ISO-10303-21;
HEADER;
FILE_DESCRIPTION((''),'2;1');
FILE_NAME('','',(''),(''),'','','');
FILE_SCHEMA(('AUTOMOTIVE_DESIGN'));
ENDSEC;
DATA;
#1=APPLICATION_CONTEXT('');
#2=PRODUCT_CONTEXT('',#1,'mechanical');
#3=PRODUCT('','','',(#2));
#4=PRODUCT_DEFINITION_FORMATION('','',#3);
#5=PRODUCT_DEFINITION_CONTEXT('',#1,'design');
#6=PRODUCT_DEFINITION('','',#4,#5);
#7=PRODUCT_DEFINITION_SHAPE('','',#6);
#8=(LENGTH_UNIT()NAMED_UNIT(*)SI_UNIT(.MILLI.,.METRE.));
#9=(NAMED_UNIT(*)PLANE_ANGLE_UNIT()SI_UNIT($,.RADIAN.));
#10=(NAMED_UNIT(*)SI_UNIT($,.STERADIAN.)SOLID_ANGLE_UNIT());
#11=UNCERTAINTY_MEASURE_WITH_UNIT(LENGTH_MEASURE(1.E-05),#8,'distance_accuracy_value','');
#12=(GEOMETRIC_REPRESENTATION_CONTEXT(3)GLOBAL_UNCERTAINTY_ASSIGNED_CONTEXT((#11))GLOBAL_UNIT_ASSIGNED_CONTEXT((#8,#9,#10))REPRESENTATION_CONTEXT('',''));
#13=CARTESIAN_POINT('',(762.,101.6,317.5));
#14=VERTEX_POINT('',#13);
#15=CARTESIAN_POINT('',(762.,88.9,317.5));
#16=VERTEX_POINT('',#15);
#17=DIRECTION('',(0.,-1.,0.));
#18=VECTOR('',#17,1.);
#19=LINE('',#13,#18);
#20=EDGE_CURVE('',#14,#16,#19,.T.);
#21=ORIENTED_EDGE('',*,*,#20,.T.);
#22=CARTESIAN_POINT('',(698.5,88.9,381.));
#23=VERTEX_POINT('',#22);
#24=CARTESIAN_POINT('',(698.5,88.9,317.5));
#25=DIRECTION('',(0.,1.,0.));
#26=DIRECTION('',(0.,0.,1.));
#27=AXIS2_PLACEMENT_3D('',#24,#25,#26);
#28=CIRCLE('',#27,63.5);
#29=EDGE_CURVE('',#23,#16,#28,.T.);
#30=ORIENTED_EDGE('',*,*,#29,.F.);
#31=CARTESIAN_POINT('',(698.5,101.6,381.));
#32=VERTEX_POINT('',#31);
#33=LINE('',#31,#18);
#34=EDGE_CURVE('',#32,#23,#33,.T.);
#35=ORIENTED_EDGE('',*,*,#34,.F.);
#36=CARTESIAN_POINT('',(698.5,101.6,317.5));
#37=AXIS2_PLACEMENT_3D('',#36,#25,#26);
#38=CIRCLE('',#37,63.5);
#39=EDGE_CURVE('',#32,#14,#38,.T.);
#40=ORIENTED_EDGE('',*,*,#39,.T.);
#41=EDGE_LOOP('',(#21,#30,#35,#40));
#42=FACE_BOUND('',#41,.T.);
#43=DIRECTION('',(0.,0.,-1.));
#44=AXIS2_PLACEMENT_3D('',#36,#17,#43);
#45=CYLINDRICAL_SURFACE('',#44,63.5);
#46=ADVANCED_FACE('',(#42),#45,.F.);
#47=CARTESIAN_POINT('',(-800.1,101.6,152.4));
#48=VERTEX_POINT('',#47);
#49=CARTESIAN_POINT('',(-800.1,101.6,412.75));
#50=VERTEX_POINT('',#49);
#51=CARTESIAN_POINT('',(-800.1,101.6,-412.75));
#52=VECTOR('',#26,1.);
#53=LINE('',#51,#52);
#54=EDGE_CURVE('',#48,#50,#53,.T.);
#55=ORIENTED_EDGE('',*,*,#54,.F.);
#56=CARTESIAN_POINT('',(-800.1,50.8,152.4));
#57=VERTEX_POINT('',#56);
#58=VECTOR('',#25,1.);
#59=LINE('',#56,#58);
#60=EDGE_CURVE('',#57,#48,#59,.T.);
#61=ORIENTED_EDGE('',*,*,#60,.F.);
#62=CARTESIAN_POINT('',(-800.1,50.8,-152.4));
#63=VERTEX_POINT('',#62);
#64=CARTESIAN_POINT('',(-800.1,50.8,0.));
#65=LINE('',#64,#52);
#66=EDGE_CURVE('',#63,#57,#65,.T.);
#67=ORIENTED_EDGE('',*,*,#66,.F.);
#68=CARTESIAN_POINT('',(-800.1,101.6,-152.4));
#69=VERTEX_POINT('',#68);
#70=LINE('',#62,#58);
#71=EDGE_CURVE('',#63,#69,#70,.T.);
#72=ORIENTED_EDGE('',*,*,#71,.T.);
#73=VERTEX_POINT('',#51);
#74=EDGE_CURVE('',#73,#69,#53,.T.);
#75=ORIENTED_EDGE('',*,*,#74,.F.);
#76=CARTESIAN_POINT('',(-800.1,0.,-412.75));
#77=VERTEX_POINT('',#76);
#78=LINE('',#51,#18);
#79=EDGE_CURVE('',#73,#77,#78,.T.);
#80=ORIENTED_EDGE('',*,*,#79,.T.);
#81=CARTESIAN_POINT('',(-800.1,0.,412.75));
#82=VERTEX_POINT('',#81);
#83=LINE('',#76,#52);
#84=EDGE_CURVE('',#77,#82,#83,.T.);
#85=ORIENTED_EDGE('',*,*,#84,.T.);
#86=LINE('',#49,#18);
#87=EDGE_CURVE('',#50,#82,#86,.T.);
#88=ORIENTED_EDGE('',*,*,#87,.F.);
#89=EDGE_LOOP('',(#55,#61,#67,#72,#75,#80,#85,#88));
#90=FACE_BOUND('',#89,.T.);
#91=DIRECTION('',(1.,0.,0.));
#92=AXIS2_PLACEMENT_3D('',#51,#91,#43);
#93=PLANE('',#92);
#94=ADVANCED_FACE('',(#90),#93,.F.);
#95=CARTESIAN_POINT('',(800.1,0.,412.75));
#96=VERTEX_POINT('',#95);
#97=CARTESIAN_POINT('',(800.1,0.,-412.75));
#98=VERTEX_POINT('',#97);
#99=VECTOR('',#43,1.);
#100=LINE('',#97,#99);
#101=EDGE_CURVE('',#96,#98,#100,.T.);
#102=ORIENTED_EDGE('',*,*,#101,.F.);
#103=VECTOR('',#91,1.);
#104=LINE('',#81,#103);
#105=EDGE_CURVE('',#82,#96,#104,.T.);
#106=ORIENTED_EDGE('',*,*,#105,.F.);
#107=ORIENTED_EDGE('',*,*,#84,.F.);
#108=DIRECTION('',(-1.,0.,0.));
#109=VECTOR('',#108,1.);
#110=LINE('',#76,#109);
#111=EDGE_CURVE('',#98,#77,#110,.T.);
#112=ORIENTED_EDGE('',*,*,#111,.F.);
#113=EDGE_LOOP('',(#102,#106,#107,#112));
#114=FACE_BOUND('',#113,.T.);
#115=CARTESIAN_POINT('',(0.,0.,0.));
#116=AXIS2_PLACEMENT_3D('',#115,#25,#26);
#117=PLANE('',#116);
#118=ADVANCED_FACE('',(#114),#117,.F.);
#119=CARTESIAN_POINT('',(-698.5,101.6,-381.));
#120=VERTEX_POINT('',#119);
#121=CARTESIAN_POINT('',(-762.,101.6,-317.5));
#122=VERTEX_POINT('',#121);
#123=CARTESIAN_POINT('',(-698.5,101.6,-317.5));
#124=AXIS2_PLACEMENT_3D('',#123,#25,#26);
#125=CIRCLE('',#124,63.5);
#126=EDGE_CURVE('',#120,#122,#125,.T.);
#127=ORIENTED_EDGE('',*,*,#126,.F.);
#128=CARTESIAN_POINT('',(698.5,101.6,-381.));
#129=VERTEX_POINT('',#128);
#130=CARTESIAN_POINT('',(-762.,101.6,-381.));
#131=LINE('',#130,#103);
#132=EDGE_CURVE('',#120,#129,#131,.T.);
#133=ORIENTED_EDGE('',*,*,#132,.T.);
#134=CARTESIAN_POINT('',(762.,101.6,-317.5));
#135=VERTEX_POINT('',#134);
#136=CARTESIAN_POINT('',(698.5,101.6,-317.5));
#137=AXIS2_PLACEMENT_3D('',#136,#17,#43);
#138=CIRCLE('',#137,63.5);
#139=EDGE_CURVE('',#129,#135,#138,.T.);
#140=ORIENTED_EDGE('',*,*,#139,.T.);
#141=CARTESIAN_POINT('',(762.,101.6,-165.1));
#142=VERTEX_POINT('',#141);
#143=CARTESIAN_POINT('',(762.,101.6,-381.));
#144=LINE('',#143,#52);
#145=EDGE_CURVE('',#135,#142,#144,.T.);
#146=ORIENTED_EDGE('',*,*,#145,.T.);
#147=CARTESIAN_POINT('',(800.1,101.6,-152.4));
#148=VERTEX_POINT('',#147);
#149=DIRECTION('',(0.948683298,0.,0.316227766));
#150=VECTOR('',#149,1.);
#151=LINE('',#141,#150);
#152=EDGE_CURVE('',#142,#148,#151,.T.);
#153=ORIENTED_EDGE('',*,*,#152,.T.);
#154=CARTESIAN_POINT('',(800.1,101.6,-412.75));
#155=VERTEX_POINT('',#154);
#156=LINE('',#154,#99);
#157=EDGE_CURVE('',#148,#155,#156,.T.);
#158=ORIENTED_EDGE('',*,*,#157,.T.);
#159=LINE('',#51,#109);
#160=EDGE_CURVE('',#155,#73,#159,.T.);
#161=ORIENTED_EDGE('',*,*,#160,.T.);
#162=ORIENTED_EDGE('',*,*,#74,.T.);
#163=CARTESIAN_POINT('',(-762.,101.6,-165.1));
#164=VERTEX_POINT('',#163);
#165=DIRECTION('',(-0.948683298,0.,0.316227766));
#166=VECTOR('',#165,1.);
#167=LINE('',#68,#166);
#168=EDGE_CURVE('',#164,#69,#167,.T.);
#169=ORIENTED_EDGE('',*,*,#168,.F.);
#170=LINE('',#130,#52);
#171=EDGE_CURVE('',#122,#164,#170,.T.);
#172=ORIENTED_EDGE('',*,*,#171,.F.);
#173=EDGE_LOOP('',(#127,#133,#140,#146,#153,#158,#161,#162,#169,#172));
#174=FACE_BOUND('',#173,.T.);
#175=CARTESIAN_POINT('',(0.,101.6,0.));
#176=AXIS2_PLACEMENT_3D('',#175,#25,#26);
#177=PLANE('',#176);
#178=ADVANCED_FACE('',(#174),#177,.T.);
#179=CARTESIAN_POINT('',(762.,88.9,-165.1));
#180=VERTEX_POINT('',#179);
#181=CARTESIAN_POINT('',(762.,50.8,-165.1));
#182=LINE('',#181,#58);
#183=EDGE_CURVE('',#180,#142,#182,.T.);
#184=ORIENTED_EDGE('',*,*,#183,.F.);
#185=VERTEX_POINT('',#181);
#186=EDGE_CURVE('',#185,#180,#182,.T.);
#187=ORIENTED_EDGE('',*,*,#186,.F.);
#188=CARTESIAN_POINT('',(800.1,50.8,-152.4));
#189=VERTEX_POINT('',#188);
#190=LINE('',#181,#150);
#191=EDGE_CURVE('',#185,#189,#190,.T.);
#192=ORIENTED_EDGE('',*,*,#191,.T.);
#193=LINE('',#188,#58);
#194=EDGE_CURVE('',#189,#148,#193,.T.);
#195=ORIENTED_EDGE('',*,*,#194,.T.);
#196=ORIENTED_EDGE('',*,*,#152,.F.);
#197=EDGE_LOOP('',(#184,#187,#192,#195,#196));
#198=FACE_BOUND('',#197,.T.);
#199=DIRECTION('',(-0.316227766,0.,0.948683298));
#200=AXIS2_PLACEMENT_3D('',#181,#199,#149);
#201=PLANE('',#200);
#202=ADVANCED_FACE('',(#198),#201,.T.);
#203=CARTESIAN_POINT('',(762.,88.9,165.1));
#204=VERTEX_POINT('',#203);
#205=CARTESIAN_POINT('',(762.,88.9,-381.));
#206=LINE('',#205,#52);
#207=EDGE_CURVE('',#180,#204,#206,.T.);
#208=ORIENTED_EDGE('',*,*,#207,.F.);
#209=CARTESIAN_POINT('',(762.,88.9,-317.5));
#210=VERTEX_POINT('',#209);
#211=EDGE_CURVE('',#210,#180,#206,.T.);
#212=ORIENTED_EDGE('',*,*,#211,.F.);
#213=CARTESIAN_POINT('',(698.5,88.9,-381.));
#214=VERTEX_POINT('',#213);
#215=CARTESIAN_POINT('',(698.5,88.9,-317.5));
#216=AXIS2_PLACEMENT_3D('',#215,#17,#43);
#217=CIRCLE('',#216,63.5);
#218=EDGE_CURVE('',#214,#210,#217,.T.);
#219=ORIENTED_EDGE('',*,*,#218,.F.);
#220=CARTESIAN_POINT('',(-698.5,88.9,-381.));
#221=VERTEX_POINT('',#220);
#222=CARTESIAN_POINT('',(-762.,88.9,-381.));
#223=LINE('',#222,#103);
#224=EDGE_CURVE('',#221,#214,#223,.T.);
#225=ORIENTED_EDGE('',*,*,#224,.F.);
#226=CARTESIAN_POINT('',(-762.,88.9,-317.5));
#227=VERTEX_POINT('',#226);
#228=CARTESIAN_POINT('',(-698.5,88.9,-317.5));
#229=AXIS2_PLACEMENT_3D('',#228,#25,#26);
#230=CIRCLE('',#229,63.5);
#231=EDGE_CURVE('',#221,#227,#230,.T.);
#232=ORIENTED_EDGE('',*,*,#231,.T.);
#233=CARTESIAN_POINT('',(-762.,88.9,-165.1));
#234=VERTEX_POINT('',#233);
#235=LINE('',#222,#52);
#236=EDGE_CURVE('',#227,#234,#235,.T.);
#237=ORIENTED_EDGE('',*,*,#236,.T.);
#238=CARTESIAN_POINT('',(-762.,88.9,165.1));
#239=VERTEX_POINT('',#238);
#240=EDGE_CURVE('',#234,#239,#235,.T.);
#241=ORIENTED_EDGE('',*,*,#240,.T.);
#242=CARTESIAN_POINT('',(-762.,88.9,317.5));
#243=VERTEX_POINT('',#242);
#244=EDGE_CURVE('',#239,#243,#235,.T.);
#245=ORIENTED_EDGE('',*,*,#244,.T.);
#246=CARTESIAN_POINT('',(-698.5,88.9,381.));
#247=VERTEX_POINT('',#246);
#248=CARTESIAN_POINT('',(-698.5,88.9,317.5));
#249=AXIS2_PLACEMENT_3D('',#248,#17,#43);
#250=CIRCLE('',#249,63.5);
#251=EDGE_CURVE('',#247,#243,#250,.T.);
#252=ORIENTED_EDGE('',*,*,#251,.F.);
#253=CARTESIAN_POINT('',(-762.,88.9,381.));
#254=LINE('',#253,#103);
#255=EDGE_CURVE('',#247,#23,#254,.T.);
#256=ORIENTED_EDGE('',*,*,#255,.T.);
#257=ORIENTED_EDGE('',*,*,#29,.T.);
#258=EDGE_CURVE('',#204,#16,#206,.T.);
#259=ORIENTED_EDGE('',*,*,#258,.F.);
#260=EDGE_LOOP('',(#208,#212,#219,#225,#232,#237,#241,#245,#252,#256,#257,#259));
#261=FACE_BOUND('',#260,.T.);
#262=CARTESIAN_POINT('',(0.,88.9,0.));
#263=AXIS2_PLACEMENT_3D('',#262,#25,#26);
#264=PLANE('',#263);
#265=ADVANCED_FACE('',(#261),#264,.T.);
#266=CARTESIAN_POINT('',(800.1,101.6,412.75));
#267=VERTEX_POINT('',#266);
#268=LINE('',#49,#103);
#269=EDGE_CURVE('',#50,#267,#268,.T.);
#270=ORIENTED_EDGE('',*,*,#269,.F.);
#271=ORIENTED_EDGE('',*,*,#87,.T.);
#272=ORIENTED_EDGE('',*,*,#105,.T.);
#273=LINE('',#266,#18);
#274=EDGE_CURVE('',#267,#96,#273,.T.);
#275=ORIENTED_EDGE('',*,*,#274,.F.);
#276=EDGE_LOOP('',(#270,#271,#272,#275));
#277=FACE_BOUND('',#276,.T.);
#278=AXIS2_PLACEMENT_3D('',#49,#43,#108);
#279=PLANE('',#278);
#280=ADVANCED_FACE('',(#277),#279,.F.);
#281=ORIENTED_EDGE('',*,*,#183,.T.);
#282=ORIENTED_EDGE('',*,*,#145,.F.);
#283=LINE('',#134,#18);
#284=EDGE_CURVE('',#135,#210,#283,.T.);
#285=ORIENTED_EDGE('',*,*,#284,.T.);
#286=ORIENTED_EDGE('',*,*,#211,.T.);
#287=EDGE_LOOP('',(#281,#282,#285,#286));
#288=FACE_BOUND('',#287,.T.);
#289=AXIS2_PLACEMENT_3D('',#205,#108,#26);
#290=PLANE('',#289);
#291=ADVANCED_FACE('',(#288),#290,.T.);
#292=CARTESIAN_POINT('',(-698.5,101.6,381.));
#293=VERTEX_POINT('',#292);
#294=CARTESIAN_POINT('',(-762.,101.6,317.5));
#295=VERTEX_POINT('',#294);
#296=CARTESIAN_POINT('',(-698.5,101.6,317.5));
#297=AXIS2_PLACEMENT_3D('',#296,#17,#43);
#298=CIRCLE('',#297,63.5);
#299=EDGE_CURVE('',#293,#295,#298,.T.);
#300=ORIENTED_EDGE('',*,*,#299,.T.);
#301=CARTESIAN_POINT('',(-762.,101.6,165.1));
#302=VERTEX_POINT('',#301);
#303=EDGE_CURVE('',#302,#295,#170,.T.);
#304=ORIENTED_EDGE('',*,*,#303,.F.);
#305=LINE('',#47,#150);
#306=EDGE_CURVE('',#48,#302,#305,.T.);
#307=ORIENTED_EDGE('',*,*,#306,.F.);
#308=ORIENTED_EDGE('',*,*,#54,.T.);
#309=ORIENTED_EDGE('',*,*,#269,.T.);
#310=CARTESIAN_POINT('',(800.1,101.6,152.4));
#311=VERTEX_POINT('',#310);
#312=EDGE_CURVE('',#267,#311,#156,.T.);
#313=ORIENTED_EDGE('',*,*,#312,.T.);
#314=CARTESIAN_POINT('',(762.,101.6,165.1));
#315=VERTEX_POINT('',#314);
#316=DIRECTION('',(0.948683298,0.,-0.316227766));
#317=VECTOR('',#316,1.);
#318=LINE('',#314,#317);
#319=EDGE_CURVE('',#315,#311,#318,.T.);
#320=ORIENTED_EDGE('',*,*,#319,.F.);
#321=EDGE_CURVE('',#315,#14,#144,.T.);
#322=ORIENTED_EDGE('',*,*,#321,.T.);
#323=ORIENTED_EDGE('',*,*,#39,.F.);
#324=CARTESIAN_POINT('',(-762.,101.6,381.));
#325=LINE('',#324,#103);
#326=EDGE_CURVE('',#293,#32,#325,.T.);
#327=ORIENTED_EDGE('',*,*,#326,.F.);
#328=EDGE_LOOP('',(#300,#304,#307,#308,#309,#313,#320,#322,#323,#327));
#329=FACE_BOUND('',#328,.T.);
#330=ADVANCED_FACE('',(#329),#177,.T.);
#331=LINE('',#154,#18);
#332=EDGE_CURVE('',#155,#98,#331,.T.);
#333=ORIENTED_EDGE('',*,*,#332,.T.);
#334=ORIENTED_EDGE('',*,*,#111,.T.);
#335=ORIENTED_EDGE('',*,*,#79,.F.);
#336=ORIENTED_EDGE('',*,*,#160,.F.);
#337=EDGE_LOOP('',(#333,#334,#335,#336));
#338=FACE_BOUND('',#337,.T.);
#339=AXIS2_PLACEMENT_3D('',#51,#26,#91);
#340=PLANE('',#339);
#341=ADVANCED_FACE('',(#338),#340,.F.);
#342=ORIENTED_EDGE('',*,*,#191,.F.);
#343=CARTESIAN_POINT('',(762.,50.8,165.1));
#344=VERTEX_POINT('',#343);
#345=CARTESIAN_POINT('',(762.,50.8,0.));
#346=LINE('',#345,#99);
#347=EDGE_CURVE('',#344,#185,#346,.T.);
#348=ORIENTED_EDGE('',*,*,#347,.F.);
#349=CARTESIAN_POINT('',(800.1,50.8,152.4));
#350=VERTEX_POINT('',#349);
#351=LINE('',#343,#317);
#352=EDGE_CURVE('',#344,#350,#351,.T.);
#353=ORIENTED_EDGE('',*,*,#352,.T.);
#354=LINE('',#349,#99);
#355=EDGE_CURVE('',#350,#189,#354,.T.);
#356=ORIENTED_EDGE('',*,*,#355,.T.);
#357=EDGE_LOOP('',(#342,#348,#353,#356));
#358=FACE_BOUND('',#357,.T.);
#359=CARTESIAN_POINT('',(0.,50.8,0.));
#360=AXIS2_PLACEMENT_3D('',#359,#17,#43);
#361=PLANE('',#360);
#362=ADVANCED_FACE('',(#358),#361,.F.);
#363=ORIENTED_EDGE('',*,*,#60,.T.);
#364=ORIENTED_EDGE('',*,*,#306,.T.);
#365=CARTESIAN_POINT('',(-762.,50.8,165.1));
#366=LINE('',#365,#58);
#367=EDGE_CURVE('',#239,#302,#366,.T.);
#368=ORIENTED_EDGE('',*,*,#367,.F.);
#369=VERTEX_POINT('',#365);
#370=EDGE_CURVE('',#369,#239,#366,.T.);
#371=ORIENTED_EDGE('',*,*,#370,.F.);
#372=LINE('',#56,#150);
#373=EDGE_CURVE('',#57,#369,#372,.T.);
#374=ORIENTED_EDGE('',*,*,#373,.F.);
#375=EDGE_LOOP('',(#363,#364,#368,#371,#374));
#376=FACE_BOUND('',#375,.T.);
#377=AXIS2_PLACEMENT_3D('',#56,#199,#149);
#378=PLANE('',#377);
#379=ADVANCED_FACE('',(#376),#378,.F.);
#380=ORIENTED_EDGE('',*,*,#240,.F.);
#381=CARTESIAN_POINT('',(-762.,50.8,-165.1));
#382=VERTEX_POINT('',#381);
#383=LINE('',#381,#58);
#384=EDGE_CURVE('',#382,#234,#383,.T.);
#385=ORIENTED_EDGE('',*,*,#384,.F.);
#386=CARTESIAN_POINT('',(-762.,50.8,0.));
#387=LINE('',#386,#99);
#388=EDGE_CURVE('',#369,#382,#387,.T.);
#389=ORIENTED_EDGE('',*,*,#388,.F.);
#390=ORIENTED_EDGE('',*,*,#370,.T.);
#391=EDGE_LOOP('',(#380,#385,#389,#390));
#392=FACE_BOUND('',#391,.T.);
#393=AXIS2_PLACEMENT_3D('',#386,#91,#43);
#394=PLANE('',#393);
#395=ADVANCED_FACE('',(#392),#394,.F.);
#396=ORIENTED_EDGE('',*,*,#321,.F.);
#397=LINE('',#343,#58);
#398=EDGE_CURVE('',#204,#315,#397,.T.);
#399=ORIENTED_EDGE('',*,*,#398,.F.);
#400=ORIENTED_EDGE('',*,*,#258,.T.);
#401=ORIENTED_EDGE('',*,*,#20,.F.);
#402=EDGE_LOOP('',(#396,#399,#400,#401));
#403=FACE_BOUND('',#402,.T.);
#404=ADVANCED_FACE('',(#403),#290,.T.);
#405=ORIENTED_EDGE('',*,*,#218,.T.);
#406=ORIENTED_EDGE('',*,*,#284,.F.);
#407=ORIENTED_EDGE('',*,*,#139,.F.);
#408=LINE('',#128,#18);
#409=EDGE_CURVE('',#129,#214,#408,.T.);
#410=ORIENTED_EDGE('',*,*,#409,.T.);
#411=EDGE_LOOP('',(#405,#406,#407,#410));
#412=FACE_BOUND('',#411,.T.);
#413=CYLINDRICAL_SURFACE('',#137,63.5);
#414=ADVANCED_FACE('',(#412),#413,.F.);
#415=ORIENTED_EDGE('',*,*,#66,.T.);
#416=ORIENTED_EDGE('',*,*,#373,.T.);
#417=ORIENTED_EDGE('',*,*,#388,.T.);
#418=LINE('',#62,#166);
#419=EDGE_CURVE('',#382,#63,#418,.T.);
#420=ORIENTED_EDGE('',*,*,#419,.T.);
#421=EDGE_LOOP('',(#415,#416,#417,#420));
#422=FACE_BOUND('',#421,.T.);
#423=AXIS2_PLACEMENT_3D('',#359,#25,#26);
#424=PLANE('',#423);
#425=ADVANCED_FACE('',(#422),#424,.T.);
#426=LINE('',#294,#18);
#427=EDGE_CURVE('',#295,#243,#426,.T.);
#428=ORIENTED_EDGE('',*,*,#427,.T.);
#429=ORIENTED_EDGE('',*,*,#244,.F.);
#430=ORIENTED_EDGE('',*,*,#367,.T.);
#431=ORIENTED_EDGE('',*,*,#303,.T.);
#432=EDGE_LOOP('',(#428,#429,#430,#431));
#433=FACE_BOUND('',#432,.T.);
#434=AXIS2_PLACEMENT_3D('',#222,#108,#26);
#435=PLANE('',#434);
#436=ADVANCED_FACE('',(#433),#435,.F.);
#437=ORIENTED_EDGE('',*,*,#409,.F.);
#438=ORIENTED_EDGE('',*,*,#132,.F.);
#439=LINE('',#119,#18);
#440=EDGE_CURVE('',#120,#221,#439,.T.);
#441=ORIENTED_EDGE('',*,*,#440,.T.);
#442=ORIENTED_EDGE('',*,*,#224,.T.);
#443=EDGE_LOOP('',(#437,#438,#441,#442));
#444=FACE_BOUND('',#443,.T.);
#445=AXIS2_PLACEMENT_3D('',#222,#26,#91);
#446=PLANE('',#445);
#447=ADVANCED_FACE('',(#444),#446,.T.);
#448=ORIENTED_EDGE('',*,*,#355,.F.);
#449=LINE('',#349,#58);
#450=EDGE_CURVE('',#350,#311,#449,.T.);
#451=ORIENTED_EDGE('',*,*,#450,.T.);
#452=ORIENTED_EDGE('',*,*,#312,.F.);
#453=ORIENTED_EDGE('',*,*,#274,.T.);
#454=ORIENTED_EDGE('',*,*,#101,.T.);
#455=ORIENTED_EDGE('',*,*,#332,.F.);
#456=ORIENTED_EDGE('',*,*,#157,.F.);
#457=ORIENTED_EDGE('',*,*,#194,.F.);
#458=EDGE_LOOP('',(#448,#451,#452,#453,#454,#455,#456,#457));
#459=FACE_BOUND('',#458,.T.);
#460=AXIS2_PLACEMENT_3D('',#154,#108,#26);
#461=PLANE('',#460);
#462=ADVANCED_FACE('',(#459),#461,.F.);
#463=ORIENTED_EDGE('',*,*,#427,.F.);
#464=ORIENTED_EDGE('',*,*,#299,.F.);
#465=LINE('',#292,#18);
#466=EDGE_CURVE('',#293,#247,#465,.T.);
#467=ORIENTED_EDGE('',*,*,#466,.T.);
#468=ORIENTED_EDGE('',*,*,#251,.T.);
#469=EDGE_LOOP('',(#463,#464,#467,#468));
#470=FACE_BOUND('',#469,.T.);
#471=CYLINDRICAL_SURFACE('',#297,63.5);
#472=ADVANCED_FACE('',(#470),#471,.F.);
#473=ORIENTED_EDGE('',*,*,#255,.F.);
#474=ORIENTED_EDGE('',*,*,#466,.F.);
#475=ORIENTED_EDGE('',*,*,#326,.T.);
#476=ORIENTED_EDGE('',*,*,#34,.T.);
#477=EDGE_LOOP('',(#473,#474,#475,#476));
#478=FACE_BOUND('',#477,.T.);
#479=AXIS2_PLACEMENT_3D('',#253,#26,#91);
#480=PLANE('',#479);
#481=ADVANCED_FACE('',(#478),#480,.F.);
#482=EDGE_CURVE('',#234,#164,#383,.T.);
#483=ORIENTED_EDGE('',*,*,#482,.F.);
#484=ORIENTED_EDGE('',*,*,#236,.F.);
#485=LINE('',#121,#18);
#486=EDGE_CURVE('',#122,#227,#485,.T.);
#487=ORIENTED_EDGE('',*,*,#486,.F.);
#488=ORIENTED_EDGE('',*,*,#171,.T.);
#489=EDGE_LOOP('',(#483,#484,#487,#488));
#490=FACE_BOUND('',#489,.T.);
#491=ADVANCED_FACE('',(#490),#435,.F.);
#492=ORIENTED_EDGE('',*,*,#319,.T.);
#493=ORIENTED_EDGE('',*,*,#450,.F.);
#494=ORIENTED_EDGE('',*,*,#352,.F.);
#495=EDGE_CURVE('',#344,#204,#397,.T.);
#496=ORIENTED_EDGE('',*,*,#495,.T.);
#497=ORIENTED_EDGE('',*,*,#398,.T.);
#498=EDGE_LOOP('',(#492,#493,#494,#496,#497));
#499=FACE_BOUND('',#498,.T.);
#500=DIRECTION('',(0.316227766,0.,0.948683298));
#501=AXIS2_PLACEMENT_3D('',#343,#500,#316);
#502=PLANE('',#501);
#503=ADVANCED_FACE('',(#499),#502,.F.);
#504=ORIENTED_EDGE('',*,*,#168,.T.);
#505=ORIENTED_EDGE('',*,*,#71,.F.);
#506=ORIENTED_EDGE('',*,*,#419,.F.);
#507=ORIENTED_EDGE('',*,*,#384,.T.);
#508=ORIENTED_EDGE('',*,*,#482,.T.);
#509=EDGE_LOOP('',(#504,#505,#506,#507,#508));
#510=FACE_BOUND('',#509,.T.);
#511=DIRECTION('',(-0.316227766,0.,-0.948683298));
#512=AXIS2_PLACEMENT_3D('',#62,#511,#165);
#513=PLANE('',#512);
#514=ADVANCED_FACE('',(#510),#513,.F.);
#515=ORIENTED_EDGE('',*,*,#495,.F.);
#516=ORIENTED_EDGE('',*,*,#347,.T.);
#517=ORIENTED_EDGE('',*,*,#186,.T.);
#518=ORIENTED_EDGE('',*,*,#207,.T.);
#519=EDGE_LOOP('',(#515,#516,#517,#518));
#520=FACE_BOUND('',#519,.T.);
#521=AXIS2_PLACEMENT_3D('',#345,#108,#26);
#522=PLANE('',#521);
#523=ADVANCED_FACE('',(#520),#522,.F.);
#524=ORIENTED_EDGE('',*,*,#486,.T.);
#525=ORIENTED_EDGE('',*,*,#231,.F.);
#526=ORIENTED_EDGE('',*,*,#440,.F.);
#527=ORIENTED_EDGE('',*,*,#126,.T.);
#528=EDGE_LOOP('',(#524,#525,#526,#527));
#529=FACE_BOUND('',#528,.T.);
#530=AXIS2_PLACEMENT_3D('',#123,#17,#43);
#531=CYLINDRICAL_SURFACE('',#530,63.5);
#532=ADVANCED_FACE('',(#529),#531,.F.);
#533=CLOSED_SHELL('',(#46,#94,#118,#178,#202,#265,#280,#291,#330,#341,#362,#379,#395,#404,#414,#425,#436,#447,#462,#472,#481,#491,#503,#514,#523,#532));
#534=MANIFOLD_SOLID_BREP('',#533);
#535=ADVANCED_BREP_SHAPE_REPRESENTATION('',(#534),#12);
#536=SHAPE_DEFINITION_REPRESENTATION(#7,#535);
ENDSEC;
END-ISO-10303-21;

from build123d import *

# Parameters (mm, degrees)
SKETCH5_W           = 1600.2
SKETCH5_H           = 825.5
BOSS_EXTRUDE1_DEPTH = 101.6
SKETCH6_W           = 1524
SKETCH6_H           = 762
CUT_EXTRUDE1_DEPTH  = 12.7
CUT_EXTRUDE2_DEPTH  = 50.8
CUT_EXTRUDE3_DEPTH  = 50.8
BOSS_EXTRUDE4_DEPTH = 12.7


with BuildPart() as part:
    # Sketch5 → Boss-Extrude1 (new body)
    with BuildSketch(Plane(origin=(0, 0, 0), x_dir=(1, 0, 0), z_dir=(0, 1, 0))):
        Rectangle(SKETCH5_W, SKETCH5_H)
    extrude(amount=BOSS_EXTRUDE1_DEPTH)

    # Sketch6 → Cut-Extrude1 (cut)
    with BuildSketch(Plane(origin=(0, 101.6, 0), x_dir=(1, 0, 0), z_dir=(0, 1, 0))):
        Rectangle(SKETCH6_W, SKETCH6_H)
    extrude(amount=-CUT_EXTRUDE1_DEPTH, mode=Mode.SUBTRACT)

    # Sketch10 → Cut-Extrude2 (cut)
    with BuildSketch(Plane(origin=(0, 101.6, 0), x_dir=(1, 0, 0), z_dir=(0, 1, 0))):
        Polygon((800.1, -152.4), (800.1, 0), (800.1, 152.4), (762, 165.1), (762, 0), (762, -165.1), align=None)
    extrude(amount=-CUT_EXTRUDE2_DEPTH, mode=Mode.SUBTRACT)

    # Sketch12 → Cut-Extrude3 (cut)
    with BuildSketch(Plane(origin=(0, 101.6, 0), x_dir=(1, 0, 0), z_dir=(0, 1, 0))):
        Polygon((-800.1, 0), (-800.1, 152.4), (-762, 165.1), (-762, 0), (-762, -165.1), (-800.1, -152.4), align=None)
    extrude(amount=-CUT_EXTRUDE3_DEPTH, mode=Mode.SUBTRACT)

    # Sketch16 → Boss-Extrude4 (add)
    with BuildSketch(Plane(origin=(0, 88.9, 0), x_dir=(1, 0, 0), z_dir=(0, 1, 0))):
        with BuildLine():
            Line((762, 381), (762, 317.5))
            ThreePointArc((762, 317.5), (743.401280605, 362.401280605), (698.5, 381))
            Line((698.5, 381), (762, 381))
        make_face()
        with BuildLine():
            Line((-762, 317.5), (-762, 381))
            Line((-762, 381), (-698.5, 381))
            ThreePointArc((-698.5, 381), (-743.401280605, 362.401280605), (-762, 317.5))
        make_face()
        with BuildLine():
            Line((-698.5, -381), (-762, -381))
            Line((-762, -381), (-762, -317.5))
            ThreePointArc((-762, -317.5), (-743.401280605, -362.401280605), (-698.5, -381))
        make_face()
        with BuildLine():
            Line((698.5, -381), (762, -381))
            Line((762, -381), (762, -317.5))
            ThreePointArc((762, -317.5), (743.401280605, -362.401280605), (698.5, -381))
        make_face()
    extrude(amount=BOSS_EXTRUDE4_DEPTH)


solid = part.part
